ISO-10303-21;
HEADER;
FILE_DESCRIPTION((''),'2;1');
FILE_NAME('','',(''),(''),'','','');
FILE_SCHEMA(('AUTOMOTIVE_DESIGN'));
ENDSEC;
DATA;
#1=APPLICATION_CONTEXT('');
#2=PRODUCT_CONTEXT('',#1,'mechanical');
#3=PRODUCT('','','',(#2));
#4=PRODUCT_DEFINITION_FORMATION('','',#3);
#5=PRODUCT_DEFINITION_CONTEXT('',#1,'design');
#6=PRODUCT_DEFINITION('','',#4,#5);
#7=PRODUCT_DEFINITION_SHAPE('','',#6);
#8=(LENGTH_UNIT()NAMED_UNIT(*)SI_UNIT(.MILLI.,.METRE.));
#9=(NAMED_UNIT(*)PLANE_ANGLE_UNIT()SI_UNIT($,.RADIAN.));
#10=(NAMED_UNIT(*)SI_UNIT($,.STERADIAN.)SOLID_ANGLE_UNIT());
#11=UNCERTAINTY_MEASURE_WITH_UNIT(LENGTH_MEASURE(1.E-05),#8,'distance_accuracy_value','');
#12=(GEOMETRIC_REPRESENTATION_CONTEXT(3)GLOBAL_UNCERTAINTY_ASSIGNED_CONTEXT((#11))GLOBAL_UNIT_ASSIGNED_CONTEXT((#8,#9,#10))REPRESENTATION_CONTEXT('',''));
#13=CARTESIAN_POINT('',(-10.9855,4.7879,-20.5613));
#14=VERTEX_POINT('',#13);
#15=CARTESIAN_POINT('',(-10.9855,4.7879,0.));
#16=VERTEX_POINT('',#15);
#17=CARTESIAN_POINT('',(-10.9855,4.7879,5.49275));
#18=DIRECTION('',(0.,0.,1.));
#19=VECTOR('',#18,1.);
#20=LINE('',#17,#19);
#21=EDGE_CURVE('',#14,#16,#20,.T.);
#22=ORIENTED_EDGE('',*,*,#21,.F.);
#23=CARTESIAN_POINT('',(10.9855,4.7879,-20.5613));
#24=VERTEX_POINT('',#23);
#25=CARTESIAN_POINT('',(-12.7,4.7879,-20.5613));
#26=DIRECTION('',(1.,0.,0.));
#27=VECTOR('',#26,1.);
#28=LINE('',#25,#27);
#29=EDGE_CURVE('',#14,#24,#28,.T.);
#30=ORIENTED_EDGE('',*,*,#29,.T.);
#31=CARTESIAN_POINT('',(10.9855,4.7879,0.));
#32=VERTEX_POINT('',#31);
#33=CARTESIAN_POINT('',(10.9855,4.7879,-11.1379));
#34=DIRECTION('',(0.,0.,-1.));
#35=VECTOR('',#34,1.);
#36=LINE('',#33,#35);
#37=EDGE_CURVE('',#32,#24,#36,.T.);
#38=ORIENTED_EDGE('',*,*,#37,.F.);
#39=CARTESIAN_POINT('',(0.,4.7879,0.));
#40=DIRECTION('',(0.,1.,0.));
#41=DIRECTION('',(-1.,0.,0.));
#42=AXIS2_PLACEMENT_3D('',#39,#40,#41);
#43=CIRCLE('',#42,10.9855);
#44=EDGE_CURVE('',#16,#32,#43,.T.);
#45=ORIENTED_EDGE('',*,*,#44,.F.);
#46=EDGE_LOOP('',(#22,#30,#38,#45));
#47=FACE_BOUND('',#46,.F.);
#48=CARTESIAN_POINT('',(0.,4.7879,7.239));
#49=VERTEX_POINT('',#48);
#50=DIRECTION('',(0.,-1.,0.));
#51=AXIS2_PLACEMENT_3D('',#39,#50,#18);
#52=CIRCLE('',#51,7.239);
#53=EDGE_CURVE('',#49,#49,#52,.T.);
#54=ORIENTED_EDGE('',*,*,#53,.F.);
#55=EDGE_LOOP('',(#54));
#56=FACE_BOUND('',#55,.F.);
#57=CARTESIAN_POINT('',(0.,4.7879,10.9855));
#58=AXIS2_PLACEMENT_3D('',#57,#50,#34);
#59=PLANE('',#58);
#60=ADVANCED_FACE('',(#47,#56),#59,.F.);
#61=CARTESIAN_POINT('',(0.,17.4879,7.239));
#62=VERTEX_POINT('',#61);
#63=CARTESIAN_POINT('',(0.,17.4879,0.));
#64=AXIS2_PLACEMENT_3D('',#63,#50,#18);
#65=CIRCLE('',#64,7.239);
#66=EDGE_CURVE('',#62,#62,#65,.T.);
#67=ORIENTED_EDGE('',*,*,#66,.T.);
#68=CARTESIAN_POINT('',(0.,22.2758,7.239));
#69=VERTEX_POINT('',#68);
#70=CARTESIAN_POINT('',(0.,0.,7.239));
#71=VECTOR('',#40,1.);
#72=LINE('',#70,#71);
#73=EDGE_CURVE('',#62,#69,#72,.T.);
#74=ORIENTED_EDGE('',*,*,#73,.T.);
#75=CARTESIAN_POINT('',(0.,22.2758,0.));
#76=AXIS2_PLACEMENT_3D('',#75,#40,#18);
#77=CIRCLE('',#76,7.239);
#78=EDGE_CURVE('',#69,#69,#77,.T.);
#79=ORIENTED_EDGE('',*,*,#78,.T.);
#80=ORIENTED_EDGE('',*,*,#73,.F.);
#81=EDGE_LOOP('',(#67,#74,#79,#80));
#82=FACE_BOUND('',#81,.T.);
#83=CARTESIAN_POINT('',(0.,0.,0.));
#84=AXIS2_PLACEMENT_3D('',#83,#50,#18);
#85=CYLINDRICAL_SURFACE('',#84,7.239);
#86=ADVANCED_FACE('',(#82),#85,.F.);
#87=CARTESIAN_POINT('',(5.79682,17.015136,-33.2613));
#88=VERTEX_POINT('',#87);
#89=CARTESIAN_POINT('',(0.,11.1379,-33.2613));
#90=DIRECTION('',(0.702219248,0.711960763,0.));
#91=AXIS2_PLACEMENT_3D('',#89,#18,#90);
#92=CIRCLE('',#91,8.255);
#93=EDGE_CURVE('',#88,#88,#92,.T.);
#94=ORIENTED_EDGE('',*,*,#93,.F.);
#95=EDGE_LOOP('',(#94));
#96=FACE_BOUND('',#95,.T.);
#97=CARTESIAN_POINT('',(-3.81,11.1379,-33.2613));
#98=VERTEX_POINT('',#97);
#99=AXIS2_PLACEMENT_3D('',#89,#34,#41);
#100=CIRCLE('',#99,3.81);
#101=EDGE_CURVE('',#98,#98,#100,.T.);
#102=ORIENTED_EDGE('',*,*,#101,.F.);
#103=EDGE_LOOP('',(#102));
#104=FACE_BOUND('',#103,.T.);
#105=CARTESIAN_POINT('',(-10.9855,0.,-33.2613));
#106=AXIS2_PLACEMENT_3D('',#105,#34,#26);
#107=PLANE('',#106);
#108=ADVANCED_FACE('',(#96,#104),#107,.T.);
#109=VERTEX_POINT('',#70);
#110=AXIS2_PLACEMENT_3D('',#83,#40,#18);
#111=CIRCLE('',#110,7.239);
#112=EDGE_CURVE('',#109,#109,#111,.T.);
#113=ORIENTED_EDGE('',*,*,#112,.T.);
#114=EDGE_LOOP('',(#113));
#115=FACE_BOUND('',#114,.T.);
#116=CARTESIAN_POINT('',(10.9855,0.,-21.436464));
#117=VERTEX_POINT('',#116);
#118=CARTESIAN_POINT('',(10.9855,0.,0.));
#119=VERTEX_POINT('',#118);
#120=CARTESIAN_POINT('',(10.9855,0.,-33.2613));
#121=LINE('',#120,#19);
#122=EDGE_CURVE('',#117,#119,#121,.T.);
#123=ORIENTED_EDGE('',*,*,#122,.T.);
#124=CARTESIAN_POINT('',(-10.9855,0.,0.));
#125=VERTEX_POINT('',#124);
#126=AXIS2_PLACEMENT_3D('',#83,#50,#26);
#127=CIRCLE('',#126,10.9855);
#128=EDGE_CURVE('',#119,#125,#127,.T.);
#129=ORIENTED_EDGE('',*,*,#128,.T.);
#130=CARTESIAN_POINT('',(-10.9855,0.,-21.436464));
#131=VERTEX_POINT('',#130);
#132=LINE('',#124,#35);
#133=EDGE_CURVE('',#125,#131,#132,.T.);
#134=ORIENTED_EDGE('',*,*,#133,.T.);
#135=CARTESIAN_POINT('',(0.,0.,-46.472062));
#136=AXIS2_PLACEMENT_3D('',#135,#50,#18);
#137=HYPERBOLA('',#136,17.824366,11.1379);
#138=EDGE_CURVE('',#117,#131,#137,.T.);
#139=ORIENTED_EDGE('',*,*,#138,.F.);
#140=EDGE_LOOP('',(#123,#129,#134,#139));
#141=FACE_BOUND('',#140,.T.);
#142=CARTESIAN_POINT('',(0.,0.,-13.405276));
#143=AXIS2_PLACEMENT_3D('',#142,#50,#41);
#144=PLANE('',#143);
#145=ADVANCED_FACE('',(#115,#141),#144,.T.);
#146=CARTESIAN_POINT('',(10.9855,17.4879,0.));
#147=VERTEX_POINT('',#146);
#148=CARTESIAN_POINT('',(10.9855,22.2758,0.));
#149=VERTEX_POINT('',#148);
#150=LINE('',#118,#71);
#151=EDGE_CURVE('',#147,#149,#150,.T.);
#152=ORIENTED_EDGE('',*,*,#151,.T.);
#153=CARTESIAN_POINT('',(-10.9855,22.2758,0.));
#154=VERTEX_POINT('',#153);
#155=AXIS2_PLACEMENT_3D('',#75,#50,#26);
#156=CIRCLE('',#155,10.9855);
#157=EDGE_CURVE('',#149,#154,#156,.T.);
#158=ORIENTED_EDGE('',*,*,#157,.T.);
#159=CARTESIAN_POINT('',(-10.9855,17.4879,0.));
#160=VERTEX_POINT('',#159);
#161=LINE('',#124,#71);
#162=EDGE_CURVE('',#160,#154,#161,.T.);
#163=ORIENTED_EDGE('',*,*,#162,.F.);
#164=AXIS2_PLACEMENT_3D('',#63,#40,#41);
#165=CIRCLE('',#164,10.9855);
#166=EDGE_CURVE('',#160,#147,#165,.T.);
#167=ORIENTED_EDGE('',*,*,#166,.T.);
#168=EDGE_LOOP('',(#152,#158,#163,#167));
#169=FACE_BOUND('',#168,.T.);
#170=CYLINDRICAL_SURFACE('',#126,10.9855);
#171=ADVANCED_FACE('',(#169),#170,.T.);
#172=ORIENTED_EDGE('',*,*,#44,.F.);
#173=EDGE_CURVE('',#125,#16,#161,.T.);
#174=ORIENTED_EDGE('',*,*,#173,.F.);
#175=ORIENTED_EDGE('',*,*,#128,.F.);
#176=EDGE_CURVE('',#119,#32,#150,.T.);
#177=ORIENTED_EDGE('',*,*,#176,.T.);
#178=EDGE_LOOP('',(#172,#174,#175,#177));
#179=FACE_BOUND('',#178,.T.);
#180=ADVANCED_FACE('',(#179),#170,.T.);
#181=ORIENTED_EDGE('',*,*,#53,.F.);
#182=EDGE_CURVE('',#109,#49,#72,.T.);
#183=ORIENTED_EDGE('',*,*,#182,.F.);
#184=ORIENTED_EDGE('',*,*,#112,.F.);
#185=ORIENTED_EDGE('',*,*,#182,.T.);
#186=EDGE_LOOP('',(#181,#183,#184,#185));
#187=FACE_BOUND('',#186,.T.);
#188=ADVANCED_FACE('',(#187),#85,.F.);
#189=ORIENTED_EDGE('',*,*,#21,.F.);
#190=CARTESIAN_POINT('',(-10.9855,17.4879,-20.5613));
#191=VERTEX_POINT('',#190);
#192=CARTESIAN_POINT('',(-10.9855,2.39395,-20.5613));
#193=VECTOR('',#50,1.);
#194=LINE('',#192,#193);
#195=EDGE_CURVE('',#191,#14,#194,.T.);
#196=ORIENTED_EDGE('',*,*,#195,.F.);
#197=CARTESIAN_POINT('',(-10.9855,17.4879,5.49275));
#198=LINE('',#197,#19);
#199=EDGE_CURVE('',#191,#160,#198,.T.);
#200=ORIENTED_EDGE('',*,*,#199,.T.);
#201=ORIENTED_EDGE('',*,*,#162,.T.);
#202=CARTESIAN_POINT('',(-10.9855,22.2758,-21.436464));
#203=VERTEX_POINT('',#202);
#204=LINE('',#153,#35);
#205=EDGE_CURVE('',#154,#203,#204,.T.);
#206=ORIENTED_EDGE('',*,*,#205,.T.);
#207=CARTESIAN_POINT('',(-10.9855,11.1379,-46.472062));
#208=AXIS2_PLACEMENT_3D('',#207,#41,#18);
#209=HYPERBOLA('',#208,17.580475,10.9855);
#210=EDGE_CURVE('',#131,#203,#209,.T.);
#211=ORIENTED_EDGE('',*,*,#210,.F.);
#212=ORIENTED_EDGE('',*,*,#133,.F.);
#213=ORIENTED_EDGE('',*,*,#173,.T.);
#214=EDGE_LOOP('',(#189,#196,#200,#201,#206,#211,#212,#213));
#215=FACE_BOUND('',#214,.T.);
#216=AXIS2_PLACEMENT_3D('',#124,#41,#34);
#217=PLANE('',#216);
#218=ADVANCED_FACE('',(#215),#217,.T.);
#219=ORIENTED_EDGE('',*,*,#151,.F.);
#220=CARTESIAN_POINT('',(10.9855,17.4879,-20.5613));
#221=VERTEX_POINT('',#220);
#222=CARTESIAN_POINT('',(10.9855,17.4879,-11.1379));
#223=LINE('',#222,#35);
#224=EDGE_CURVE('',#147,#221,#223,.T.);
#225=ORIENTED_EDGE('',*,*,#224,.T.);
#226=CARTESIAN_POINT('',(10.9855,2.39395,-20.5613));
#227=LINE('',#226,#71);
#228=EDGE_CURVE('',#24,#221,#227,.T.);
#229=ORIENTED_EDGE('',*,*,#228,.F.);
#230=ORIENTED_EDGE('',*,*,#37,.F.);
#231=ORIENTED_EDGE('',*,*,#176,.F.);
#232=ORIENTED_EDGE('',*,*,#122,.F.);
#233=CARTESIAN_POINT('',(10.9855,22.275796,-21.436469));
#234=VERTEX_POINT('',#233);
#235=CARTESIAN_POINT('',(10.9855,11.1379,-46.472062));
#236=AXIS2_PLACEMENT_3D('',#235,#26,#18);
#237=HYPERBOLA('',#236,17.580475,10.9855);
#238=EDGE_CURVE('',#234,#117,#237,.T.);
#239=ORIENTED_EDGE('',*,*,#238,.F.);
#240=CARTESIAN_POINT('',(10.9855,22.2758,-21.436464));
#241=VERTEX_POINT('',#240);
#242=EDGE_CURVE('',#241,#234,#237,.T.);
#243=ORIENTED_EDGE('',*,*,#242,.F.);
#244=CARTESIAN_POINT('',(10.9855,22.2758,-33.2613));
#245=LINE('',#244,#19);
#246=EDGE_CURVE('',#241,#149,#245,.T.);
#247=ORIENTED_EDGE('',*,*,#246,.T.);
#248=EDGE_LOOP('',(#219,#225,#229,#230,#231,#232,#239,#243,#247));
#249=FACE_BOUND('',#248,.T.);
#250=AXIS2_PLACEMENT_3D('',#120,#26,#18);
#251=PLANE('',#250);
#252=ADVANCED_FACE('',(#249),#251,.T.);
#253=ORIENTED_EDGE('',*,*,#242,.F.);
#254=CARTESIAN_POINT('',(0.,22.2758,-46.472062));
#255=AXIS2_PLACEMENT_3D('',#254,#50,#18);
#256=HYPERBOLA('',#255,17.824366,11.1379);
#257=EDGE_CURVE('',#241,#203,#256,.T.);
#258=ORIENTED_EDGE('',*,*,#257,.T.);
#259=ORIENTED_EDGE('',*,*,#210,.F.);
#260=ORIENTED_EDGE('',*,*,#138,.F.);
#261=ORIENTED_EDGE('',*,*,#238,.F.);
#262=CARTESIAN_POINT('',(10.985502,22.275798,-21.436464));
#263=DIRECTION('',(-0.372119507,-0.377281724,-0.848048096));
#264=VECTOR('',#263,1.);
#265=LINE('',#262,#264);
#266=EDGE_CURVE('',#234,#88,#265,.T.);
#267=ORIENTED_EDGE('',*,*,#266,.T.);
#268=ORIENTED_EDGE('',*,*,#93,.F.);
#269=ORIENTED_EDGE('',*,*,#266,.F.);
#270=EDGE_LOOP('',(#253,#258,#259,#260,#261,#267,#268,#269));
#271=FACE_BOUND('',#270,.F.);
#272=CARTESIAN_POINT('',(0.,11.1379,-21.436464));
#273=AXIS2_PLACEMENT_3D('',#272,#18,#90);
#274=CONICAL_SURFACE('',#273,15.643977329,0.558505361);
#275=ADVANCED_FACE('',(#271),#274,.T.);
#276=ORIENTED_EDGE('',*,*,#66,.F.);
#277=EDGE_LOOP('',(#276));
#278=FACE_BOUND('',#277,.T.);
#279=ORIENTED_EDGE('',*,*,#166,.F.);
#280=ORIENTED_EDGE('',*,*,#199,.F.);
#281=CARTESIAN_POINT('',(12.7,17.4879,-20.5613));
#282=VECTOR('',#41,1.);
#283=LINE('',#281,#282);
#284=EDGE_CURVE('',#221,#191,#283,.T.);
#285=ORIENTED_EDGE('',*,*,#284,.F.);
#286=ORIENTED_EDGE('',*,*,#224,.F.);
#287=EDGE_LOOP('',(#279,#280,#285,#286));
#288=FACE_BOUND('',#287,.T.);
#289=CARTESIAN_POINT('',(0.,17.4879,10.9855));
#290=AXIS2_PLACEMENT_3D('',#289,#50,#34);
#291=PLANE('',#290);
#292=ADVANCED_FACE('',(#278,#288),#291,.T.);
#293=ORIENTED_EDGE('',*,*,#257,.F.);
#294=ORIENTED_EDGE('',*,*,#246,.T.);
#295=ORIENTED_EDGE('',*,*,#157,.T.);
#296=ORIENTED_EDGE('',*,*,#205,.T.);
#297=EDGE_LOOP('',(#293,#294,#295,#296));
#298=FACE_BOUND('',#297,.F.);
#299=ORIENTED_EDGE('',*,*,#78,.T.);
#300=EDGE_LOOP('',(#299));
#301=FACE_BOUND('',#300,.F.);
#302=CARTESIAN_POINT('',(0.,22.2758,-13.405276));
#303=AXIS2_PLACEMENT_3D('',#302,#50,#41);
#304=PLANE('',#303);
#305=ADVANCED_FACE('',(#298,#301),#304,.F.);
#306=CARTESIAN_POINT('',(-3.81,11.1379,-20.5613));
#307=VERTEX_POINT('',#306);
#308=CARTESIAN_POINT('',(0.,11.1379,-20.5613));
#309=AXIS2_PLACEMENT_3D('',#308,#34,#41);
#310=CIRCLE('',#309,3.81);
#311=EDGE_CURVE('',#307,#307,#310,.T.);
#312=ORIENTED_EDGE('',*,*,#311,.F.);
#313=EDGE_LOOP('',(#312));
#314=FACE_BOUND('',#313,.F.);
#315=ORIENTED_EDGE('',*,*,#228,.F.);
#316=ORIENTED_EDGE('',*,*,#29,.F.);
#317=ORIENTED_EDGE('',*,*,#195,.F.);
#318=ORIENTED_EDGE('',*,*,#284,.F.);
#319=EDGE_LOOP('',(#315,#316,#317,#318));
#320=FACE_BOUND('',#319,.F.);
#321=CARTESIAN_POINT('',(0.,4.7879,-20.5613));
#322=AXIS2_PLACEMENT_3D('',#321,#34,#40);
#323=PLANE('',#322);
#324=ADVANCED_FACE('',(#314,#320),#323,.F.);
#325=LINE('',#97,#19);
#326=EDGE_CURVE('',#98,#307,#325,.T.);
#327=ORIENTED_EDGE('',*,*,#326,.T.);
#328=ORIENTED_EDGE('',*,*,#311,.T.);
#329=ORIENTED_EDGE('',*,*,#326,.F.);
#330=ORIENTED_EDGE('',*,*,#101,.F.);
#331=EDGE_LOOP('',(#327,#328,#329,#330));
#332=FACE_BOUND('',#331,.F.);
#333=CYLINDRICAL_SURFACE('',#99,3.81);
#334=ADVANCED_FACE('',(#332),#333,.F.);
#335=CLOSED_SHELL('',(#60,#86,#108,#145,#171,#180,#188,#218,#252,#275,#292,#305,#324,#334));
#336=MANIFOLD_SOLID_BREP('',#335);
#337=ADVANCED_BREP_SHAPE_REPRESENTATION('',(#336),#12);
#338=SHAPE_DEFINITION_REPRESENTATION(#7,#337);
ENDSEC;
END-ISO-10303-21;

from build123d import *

# Parameters (mm, degrees)
SKETCH1_R           = 7.239
BOSS_EXTRUDE1_DEPTH = 22.2758
SKETCH2_W           = 31.5468
SKETCH2_H           = 12.7
CUT_EXTRUDE1_DEPTH  = 12.7
CUT_EXTRUDE2_REACH  = 52.741
SKETCH7_R           = 3.81


with BuildPart() as part:
    # Sketch1 → Boss-Extrude1 (new body)
    with BuildSketch(Plane(origin=(0, 0, 0), x_dir=(1, 0, 0), z_dir=(0, 1, 0))):
        with BuildLine():
            Line((-10.9855, 0), (-10.9855, 33.2613))
            Line((-10.9855, 33.2613), (10.9855, 33.2613))
            Line((10.9855, 33.2613), (10.9855, 0))
            ThreePointArc((10.9855, 0), (0, -10.9855), (-10.9855, 0))
        make_face()
        with Locations(Location((0, 0, 0), (0, 0, 270))):
            Circle(SKETCH1_R, mode=Mode.SUBTRACT)
    extrude(amount=BOSS_EXTRUDE1_DEPTH)

    # Sketch2 → Cut-Extrude1 (cut, symmetric)
    with BuildSketch(Plane(origin=(0, 0, 0), x_dir=(0, 0, -1), z_dir=(1, 0, 0))):
        with Locations((4.7879, 11.1379)):
            Rectangle(SKETCH2_W, SKETCH2_H)
    extrude(amount=CUT_EXTRUDE1_DEPTH, both=True, mode=Mode.SUBTRACT)

    # Sketch5 → Cut-Revolve1 (revolve, cut)
    with BuildSketch(Plane(origin=(5.568421495, 5.492228727, 0), x_dir=(0, 0, 1), z_dir=(-0.7119608885898049, -0.7022191204449046, 0)), mode=Mode.PRIVATE) as cut_revolve1_sk:
        Polygon((-21.436464447, 23.57372651), (-33.2613, 16.184749181), (-33.2613, 23.57372651), align=None)
    revolve(cut_revolve1_sk.sketch.rotate(Axis((0, 11.1379, -33.2613), (0, 0, 1)), 270.789356568), axis=Axis((0, 11.1379, -33.2613), (0, 0, 1)), mode=Mode.SUBTRACT)

    # Sketch7 → Cut-Extrude2 (cut, up to next)
    with BuildSketch(Plane(origin=(0, 0, -33.2613), x_dir=(-1, 0, 0), z_dir=(0, 0, -1)), mode=Mode.PRIVATE) as cut_extrude2_sk1:
        with Locations((0, 11.1379)):
            Circle(SKETCH7_R)
    cut_extrude2_tool1 = extrude(cut_extrude2_sk1.sketch, amount=-CUT_EXTRUDE2_REACH, mode=Mode.PRIVATE) & part.part
    add(cut_extrude2_tool1.solids().sort_by_distance((0, 11.1379, -33.2613))[0], mode=Mode.SUBTRACT)


solid = part.part
